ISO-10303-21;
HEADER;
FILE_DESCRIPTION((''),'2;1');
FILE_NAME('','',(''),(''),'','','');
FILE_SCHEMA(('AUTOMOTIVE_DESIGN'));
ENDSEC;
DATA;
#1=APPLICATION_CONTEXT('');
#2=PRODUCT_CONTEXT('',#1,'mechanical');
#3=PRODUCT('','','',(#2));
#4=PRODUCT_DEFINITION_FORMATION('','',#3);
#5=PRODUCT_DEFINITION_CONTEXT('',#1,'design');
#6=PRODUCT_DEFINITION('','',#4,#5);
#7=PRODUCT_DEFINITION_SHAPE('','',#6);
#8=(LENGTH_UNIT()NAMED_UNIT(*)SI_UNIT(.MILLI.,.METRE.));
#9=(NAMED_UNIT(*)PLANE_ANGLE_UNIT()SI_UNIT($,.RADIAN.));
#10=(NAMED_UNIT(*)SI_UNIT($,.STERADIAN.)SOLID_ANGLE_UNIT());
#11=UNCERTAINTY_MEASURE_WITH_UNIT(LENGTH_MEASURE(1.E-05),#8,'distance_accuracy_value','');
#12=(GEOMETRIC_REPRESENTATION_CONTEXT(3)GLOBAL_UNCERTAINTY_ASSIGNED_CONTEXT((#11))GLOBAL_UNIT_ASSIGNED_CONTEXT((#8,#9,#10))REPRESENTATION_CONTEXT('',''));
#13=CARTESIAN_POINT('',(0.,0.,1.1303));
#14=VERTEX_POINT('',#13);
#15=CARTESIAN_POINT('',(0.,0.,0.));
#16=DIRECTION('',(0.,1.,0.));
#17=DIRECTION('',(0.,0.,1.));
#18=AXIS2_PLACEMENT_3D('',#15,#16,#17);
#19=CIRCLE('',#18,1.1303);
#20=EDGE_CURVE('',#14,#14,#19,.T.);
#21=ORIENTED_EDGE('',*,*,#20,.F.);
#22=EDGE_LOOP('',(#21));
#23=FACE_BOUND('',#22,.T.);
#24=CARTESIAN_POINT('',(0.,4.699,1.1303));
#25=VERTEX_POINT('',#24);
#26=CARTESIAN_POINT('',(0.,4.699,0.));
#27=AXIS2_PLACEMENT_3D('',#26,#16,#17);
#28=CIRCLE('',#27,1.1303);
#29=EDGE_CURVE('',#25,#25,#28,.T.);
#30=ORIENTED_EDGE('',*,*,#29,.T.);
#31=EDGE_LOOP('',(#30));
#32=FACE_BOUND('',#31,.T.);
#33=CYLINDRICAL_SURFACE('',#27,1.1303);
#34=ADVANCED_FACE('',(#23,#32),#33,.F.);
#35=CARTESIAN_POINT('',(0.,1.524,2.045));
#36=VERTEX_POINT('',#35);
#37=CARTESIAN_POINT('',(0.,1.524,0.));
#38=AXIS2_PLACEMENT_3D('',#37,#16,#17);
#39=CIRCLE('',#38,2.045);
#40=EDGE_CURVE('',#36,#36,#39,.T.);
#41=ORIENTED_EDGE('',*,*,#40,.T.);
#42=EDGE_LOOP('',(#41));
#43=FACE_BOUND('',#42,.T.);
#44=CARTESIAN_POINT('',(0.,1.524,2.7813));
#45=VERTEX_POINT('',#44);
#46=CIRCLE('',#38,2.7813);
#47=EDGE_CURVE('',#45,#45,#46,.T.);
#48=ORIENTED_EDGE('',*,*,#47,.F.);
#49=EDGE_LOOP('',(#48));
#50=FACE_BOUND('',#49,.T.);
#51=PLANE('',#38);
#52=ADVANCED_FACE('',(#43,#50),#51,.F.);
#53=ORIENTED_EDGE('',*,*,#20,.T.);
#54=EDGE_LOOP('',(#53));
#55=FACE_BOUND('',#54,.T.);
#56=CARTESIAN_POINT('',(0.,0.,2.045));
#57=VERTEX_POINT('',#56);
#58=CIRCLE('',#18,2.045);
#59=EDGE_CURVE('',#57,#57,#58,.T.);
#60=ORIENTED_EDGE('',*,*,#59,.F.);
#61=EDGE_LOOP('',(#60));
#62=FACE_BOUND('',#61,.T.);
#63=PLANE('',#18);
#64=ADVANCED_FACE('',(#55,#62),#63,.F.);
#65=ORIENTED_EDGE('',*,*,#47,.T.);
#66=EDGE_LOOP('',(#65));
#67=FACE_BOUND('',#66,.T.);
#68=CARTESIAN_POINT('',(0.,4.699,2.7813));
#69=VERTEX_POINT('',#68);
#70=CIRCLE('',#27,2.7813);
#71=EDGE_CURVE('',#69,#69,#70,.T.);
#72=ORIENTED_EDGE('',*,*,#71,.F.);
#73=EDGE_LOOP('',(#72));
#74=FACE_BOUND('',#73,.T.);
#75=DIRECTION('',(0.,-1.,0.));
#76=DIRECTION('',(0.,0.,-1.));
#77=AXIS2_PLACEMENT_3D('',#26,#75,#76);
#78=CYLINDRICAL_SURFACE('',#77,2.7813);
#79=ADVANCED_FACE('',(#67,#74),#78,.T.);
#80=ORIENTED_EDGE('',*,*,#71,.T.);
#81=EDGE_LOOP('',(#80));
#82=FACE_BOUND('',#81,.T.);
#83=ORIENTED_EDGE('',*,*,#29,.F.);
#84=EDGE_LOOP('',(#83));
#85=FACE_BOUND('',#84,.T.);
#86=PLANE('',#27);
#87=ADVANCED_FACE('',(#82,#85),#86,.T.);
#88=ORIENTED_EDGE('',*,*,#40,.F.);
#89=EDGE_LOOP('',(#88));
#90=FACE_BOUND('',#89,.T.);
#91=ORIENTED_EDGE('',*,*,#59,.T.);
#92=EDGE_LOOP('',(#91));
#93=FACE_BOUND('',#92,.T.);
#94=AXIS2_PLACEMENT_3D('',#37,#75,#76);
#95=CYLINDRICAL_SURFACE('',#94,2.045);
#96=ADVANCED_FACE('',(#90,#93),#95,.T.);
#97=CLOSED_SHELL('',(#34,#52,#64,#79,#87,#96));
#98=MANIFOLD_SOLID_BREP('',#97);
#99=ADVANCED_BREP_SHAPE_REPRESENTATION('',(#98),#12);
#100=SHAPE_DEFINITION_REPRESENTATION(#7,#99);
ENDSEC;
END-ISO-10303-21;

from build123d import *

# Parameters (mm, degrees)
SKETCH1_R                 = 2.045
BOSS_EXTRUDE1_DEPTH       = 1.524
SKETCH2_R                 = 2.7813
BOSS_EXTRUDE2_DEPTH       = 3.175
F_4_40_TAPPED_HOLE1_D     = 2.2606
F_4_40_TAPPED_HOLE1_DEPTH = 7.62
F_4_40_TAPPED_HOLE1_TIP   = 0.679152758


with BuildPart() as part:
    # Sketch1 → Boss-Extrude1 (new body)
    with BuildSketch(Plane(origin=(0, 0, 0), x_dir=(1, 0, 0), z_dir=(0, 1, 0))):
        Circle(SKETCH1_R)
    extrude(amount=BOSS_EXTRUDE1_DEPTH)

    # Sketch2 → Boss-Extrude2 (add)
    with BuildSketch(Plane(origin=(0, 1.524, 0), x_dir=(1, 0, 0), z_dir=(0, 1, 0))):
        Circle(SKETCH2_R)
    extrude(amount=BOSS_EXTRUDE2_DEPTH)

    # #4-40 Tapped Hole1
    with Locations(Plane(origin=(0, 4.699, 0), x_dir=(1, 0, 0), z_dir=(0, 1, 0))):
        with Locations((0, 0)):
            Hole(F_4_40_TAPPED_HOLE1_D / 2, depth=F_4_40_TAPPED_HOLE1_DEPTH)
            with Locations((0, 0, -(F_4_40_TAPPED_HOLE1_DEPTH + F_4_40_TAPPED_HOLE1_TIP / 2))):  # 118° drill point
                Cone(0, F_4_40_TAPPED_HOLE1_D / 2, F_4_40_TAPPED_HOLE1_TIP, mode=Mode.SUBTRACT)


solid = part.part
